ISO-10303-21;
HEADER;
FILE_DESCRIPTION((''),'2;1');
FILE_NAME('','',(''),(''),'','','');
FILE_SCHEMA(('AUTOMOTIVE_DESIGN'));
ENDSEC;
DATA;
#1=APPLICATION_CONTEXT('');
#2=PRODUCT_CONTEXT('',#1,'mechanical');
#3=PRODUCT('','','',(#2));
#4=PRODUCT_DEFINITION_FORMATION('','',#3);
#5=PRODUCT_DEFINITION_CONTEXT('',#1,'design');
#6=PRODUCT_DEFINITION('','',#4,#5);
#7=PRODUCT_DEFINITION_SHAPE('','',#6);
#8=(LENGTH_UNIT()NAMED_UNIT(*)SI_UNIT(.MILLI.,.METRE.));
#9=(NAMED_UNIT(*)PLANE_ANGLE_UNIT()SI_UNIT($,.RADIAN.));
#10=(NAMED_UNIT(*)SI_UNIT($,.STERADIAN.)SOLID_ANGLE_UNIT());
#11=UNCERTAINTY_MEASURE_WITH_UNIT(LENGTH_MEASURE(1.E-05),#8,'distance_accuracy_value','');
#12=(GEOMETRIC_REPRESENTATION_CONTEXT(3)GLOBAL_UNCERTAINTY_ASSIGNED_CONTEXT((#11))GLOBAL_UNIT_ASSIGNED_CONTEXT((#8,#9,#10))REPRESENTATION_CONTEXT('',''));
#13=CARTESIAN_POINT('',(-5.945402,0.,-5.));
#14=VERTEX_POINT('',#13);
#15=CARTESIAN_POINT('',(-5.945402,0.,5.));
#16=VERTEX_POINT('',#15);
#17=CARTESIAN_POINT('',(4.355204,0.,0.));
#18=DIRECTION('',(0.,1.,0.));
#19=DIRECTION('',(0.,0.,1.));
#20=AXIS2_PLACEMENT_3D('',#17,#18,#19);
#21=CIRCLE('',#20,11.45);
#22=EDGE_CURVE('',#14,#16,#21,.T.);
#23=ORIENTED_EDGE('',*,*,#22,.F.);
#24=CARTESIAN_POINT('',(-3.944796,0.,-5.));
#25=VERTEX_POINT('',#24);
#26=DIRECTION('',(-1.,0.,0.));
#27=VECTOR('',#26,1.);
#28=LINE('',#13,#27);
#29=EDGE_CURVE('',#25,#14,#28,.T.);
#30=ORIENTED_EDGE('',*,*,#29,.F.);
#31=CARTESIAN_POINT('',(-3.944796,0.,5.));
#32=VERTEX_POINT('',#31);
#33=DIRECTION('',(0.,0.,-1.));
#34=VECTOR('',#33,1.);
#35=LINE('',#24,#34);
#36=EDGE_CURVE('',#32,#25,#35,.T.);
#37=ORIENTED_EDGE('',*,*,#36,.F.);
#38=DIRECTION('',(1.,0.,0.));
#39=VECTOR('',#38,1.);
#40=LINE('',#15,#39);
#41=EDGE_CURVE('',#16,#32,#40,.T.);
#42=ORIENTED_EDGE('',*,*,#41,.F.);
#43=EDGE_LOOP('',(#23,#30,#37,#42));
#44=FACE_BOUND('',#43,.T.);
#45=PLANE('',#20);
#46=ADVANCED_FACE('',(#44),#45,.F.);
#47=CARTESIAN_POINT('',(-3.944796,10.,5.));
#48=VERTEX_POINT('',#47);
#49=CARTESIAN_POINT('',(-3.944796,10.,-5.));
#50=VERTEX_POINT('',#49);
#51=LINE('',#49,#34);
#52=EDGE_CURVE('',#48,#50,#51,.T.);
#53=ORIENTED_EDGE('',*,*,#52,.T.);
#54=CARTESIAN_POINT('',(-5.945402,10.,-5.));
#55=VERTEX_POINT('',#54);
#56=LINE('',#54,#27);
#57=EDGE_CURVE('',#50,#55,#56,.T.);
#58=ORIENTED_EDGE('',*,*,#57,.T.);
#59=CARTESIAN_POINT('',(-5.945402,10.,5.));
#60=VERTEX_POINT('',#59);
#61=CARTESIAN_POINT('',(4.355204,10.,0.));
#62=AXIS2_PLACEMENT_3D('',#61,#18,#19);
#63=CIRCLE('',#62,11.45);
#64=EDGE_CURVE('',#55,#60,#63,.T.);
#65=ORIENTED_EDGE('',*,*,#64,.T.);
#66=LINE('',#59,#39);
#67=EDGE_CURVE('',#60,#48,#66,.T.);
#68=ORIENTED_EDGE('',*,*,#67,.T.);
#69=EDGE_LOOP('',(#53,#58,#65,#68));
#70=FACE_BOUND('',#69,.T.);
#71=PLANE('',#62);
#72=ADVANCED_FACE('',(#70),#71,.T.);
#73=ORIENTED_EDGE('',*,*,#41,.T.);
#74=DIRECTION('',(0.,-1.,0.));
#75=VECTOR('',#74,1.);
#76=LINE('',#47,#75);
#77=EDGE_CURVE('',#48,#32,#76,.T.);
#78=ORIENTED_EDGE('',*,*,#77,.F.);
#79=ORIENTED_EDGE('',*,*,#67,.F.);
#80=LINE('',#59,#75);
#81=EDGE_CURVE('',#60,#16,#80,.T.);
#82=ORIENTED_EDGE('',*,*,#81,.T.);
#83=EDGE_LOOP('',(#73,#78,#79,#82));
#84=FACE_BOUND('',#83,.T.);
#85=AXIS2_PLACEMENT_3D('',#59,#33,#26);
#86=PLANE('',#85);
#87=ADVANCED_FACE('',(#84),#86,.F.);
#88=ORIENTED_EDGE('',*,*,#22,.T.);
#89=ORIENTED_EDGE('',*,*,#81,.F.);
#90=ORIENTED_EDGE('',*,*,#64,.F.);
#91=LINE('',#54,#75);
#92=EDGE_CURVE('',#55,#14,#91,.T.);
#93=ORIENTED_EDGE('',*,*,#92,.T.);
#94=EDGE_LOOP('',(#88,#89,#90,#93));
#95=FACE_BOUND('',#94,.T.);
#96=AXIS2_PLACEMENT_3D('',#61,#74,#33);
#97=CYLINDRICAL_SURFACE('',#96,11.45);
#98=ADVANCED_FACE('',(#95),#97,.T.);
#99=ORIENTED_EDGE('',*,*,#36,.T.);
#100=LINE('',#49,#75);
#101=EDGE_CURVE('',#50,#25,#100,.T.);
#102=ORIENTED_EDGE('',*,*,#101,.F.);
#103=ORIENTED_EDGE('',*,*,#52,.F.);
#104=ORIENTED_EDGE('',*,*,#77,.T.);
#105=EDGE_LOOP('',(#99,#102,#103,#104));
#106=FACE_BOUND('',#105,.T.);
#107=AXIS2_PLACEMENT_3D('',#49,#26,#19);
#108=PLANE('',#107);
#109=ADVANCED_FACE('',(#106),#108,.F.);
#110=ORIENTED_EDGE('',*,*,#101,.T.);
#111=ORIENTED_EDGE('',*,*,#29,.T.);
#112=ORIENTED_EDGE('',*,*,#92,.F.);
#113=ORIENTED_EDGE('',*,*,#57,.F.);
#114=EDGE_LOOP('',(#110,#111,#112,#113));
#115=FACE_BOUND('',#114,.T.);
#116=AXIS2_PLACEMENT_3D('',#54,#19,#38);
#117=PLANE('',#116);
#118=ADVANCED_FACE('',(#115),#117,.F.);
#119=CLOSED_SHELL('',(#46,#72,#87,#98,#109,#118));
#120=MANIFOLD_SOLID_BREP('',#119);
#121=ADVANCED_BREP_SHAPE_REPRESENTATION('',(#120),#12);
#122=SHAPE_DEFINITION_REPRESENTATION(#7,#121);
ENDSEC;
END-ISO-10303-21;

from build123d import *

# Parameters (mm, degrees)
EXTRUDE_1_DEPTH = 10


with BuildPart() as part:
    # 草图1 → 凸台-拉伸1 (new body)
    with BuildSketch(Plane(origin=(0, 0, 0), x_dir=(1, 0, 0), z_dir=(0, 1, 0))):
        with BuildLine():
            Line((-5.945402443, 5), (-3.944795665, 5))
            Line((-3.944795665, 5), (-3.944795665, -5))
            Line((-3.944795665, -5), (-5.945402443, -5))
            ThreePointArc((-5.945402443, -5), (-7.094795665, 0), (-5.945402443, 5))
        make_face()
    extrude(amount=EXTRUDE_1_DEPTH)


solid = part.part
